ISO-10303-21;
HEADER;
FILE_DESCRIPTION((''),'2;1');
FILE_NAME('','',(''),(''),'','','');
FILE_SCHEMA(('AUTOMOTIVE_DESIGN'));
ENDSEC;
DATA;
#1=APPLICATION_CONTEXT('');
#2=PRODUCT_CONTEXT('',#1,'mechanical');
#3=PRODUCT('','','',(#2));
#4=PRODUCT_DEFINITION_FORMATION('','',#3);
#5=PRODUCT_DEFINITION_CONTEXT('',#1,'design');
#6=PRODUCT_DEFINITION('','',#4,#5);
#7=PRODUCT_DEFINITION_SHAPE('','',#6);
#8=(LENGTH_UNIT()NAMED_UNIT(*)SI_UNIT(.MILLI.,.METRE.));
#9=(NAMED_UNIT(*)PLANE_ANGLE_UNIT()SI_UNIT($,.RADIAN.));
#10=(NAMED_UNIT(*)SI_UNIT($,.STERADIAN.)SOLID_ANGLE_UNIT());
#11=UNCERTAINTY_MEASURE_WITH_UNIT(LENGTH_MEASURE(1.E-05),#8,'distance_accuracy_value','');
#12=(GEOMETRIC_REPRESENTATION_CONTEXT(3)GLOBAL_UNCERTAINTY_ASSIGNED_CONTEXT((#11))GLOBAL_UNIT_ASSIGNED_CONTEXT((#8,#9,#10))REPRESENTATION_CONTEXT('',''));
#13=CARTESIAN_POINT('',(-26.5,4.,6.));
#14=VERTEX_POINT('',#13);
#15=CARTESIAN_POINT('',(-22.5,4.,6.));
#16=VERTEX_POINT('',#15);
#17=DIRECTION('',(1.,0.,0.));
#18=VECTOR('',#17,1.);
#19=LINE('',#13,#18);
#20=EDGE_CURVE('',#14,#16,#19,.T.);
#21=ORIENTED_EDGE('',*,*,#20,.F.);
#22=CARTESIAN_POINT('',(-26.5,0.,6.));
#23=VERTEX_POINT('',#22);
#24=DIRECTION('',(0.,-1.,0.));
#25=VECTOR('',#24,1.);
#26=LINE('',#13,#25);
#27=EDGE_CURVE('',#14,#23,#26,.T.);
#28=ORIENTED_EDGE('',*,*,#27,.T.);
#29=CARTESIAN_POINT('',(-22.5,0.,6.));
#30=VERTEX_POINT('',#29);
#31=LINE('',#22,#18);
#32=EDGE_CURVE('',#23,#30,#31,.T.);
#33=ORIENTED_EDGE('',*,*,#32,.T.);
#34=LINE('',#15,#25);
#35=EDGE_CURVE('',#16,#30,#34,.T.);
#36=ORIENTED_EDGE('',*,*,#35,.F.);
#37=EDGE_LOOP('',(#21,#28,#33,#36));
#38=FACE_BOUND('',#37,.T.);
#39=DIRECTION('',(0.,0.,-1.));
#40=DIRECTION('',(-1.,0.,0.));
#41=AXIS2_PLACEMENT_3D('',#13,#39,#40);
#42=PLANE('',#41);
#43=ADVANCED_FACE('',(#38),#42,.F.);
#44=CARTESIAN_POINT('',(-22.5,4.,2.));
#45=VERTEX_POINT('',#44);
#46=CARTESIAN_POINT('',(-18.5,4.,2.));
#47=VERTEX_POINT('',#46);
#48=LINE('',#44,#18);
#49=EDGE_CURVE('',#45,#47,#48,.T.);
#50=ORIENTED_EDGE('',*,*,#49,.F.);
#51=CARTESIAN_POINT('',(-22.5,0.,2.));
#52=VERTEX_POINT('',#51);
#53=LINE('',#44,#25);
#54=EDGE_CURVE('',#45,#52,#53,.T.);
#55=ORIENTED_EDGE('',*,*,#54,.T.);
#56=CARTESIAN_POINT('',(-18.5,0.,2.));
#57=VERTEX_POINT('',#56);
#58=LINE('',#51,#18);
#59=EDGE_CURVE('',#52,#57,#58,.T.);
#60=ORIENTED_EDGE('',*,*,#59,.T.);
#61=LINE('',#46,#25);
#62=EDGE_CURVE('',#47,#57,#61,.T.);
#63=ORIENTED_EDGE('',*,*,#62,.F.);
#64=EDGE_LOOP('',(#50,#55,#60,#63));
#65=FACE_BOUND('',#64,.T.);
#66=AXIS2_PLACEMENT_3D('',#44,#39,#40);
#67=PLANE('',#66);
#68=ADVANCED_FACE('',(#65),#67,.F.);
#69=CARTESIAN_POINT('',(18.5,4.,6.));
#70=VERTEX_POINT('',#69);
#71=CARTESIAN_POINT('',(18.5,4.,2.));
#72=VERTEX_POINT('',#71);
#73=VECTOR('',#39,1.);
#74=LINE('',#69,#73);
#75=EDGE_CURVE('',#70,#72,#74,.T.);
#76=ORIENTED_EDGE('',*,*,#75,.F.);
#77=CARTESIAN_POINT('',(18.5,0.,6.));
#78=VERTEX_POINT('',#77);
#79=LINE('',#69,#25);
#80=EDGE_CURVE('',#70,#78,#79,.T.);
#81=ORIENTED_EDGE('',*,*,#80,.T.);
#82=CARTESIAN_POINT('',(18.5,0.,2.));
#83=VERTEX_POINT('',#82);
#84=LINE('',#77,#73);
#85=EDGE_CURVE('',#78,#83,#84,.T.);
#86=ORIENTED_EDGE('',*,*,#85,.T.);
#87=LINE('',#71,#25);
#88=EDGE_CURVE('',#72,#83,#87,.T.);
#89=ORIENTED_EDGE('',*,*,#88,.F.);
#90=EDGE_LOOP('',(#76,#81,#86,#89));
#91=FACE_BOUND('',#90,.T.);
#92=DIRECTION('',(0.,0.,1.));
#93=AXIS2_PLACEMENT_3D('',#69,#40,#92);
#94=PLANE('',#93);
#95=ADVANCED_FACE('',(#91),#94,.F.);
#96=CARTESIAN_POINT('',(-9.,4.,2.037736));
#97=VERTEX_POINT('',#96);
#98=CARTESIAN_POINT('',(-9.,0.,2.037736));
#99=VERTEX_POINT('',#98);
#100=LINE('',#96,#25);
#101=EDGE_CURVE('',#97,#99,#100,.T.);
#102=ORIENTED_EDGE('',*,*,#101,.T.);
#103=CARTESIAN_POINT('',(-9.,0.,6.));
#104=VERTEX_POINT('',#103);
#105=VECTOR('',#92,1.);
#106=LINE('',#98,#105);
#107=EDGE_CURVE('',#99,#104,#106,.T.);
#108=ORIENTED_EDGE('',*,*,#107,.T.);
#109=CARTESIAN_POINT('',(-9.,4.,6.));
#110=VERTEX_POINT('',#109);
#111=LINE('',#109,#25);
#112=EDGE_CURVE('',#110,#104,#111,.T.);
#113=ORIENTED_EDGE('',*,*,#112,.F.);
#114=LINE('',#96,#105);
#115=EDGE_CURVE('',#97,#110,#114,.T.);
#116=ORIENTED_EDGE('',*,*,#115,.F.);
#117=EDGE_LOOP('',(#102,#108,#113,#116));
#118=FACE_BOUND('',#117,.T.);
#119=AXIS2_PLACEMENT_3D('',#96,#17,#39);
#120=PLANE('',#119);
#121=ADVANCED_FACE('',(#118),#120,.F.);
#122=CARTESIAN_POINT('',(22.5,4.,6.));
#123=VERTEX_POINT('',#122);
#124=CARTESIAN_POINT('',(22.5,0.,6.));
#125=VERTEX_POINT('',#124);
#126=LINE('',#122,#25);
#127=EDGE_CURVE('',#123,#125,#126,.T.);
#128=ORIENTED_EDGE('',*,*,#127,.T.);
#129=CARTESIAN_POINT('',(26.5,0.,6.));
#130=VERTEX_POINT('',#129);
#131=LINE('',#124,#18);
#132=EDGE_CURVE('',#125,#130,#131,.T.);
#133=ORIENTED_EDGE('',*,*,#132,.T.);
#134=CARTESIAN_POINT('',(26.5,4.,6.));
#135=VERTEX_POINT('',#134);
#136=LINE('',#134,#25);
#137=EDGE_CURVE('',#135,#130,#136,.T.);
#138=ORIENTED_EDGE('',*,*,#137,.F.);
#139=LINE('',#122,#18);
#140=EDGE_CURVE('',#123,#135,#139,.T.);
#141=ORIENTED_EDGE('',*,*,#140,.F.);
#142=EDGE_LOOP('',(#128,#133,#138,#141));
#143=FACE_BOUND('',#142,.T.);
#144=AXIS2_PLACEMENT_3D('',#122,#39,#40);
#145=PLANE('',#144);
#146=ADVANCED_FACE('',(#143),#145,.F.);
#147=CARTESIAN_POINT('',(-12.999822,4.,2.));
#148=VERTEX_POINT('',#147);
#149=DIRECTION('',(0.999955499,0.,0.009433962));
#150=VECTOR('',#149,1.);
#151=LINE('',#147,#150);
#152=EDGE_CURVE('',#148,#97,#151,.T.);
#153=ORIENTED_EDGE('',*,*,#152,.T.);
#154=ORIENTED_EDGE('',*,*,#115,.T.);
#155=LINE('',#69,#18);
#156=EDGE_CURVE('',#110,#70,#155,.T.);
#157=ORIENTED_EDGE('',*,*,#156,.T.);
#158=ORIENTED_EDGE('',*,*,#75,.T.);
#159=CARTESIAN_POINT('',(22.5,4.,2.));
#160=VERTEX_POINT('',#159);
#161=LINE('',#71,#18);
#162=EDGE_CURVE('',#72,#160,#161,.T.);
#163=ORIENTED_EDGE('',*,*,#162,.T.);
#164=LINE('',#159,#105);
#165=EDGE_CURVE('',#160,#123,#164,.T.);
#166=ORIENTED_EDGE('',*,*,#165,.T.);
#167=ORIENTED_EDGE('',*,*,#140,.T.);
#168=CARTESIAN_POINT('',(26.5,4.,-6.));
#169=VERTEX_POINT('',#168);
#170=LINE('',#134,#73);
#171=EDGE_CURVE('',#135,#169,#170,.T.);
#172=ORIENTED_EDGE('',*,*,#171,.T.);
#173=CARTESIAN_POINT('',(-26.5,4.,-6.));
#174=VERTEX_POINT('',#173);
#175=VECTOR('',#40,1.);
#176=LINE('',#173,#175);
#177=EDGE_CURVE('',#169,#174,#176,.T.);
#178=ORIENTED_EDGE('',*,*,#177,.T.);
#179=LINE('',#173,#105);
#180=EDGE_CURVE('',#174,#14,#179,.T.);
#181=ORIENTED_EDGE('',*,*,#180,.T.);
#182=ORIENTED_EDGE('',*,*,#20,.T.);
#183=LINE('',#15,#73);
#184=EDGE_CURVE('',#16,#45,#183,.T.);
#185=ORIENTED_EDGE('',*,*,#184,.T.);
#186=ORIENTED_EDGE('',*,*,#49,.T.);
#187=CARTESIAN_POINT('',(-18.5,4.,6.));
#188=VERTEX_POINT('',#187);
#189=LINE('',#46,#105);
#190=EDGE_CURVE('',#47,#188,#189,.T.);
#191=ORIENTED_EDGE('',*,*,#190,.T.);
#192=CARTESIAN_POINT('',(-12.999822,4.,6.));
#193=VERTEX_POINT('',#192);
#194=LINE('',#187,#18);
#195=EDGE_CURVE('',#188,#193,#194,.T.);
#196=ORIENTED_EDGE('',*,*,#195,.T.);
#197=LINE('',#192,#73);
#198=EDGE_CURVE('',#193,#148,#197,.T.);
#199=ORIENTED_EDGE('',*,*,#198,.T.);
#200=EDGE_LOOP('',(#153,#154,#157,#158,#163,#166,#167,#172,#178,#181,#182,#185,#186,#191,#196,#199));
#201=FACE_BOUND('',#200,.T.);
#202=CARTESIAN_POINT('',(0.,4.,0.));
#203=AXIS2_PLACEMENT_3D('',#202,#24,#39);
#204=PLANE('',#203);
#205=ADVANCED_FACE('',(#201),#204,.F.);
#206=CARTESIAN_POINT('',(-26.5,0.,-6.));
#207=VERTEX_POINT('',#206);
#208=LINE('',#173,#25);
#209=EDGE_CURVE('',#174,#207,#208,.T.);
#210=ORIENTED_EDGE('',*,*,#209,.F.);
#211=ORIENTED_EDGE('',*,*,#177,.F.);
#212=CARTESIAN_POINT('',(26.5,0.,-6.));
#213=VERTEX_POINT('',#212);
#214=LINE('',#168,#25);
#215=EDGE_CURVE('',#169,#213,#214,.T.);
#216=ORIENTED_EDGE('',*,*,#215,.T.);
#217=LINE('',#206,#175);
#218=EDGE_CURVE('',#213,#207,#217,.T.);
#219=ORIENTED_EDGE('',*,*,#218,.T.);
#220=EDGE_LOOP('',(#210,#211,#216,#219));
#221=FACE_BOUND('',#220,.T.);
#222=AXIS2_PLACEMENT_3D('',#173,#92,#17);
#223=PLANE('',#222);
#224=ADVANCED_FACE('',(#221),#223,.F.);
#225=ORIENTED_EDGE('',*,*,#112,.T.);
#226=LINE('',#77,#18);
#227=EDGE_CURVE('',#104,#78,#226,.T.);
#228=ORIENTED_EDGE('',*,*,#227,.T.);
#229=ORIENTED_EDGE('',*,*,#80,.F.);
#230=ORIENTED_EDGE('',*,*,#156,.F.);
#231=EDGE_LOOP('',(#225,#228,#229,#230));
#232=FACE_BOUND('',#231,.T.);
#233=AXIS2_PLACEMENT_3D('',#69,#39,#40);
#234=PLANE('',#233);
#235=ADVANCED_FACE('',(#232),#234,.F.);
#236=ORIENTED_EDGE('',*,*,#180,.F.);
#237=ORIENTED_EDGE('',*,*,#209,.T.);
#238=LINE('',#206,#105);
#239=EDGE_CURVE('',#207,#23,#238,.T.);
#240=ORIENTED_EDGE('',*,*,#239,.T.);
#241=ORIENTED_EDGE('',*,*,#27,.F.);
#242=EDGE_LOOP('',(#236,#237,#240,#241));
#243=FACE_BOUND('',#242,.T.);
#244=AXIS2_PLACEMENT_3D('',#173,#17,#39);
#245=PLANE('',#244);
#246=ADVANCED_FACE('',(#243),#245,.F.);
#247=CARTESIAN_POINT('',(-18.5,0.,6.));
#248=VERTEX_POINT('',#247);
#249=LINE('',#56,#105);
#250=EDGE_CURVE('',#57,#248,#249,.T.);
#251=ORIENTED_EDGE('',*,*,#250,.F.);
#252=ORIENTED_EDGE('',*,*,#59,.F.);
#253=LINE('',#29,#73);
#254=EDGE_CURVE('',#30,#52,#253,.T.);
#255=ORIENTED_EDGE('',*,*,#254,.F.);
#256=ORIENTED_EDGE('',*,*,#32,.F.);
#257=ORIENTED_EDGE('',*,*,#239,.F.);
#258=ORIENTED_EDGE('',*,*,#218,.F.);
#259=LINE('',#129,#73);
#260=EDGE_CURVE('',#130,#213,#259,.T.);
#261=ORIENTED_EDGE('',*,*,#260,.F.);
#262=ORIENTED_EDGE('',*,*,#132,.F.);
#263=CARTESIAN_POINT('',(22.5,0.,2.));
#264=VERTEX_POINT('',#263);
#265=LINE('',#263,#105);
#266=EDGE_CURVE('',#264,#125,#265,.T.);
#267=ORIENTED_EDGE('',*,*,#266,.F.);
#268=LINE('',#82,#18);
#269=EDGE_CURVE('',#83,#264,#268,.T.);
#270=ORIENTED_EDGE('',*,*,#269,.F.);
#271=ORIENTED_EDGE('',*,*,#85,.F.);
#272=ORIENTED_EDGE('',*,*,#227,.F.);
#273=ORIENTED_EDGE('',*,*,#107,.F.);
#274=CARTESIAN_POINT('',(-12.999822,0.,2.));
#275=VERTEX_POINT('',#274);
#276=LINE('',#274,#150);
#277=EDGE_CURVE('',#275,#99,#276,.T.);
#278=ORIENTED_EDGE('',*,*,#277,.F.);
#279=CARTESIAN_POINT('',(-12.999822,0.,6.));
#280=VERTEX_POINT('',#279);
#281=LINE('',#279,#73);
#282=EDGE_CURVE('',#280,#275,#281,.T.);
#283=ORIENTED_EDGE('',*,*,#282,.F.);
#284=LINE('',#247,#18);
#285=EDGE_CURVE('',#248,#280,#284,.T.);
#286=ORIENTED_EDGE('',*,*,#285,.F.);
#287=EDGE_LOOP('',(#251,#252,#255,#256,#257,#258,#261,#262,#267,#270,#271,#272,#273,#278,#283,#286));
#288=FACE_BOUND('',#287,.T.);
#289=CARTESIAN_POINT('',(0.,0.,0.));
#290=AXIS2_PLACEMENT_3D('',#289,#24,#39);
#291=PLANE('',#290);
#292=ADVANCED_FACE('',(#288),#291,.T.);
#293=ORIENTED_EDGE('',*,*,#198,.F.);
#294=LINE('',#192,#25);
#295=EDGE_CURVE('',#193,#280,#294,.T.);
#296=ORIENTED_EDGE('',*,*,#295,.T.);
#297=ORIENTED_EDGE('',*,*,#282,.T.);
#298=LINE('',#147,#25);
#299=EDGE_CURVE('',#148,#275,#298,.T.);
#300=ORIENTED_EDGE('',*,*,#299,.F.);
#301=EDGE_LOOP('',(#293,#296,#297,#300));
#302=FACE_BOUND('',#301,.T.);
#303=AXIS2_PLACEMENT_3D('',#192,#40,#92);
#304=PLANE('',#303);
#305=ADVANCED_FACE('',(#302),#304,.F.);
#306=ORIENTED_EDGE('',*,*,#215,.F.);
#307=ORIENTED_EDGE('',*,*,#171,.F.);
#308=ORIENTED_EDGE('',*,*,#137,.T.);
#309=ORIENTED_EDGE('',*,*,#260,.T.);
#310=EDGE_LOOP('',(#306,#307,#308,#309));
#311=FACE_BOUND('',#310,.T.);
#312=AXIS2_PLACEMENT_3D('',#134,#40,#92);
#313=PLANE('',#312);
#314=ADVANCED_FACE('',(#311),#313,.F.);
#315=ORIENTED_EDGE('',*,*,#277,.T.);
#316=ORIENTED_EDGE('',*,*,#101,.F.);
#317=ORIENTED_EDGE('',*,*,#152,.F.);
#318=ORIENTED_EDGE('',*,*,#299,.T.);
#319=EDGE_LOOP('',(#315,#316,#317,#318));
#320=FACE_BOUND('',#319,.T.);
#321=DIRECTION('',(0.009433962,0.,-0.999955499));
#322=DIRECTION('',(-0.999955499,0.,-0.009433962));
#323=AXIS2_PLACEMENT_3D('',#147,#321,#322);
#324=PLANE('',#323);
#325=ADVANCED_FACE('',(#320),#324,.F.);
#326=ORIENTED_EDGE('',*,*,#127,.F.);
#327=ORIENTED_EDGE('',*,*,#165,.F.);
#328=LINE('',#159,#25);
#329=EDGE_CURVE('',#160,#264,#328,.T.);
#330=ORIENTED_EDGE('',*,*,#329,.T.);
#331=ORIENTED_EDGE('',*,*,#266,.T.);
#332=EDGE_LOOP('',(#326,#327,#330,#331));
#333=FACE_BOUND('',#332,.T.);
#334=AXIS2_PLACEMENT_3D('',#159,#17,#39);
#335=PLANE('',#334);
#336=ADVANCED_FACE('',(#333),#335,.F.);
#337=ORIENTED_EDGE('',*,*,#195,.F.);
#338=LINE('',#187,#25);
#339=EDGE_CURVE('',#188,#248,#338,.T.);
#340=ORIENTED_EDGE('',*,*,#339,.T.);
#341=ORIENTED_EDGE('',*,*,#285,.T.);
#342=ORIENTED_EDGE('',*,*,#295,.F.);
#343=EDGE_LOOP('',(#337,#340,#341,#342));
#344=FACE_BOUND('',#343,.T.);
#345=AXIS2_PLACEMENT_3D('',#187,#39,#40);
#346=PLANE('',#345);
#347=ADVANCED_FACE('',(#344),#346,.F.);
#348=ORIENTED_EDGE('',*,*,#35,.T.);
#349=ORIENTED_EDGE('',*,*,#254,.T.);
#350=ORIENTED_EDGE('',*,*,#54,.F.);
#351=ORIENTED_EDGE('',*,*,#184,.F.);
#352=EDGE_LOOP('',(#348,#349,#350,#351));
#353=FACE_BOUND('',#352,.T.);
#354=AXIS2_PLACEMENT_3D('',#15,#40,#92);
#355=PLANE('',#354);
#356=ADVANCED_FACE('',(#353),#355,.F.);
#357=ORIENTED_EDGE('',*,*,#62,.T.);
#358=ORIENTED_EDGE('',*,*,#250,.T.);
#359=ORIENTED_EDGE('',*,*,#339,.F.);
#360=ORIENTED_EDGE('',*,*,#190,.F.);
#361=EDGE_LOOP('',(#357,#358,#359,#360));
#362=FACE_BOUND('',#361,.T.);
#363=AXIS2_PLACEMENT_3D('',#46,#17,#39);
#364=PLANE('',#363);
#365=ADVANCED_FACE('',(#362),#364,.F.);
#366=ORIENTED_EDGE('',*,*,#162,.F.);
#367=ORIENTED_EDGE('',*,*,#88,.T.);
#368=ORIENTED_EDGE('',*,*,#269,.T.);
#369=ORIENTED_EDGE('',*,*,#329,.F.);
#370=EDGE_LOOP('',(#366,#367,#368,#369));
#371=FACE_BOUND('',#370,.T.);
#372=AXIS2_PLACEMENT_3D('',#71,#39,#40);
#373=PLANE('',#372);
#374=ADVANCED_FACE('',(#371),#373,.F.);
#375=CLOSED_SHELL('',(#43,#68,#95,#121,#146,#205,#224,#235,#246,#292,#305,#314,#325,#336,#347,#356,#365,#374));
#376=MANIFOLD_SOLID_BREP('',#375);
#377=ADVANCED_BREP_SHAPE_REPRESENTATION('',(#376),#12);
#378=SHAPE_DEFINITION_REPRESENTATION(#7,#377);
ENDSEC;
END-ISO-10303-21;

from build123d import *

# Parameters (mm, degrees)
BOSS_EXTRUDE1_DEPTH = 4


with BuildPart() as part:
    # Sketch1 → Boss-Extrude1 (new body)
    with BuildSketch(Plane(origin=(0, 0, 0), x_dir=(1, 0, 0), z_dir=(0, 1, 0))):
        Polygon((-26.5, 6), (26.5, 6), (26.5, -6), (22.5, -6), (22.5, -2), (18.5, -2), (18.5, -6), (-9, -6), (-9, -2.037735849), (-12.999821997, -2), (-12.999821997, -6), (-18.5, -6), (-18.5, -2), (-22.5, -2), (-22.5, -6), (-26.5, -6), align=None)
    extrude(amount=BOSS_EXTRUDE1_DEPTH)


solid = part.part
